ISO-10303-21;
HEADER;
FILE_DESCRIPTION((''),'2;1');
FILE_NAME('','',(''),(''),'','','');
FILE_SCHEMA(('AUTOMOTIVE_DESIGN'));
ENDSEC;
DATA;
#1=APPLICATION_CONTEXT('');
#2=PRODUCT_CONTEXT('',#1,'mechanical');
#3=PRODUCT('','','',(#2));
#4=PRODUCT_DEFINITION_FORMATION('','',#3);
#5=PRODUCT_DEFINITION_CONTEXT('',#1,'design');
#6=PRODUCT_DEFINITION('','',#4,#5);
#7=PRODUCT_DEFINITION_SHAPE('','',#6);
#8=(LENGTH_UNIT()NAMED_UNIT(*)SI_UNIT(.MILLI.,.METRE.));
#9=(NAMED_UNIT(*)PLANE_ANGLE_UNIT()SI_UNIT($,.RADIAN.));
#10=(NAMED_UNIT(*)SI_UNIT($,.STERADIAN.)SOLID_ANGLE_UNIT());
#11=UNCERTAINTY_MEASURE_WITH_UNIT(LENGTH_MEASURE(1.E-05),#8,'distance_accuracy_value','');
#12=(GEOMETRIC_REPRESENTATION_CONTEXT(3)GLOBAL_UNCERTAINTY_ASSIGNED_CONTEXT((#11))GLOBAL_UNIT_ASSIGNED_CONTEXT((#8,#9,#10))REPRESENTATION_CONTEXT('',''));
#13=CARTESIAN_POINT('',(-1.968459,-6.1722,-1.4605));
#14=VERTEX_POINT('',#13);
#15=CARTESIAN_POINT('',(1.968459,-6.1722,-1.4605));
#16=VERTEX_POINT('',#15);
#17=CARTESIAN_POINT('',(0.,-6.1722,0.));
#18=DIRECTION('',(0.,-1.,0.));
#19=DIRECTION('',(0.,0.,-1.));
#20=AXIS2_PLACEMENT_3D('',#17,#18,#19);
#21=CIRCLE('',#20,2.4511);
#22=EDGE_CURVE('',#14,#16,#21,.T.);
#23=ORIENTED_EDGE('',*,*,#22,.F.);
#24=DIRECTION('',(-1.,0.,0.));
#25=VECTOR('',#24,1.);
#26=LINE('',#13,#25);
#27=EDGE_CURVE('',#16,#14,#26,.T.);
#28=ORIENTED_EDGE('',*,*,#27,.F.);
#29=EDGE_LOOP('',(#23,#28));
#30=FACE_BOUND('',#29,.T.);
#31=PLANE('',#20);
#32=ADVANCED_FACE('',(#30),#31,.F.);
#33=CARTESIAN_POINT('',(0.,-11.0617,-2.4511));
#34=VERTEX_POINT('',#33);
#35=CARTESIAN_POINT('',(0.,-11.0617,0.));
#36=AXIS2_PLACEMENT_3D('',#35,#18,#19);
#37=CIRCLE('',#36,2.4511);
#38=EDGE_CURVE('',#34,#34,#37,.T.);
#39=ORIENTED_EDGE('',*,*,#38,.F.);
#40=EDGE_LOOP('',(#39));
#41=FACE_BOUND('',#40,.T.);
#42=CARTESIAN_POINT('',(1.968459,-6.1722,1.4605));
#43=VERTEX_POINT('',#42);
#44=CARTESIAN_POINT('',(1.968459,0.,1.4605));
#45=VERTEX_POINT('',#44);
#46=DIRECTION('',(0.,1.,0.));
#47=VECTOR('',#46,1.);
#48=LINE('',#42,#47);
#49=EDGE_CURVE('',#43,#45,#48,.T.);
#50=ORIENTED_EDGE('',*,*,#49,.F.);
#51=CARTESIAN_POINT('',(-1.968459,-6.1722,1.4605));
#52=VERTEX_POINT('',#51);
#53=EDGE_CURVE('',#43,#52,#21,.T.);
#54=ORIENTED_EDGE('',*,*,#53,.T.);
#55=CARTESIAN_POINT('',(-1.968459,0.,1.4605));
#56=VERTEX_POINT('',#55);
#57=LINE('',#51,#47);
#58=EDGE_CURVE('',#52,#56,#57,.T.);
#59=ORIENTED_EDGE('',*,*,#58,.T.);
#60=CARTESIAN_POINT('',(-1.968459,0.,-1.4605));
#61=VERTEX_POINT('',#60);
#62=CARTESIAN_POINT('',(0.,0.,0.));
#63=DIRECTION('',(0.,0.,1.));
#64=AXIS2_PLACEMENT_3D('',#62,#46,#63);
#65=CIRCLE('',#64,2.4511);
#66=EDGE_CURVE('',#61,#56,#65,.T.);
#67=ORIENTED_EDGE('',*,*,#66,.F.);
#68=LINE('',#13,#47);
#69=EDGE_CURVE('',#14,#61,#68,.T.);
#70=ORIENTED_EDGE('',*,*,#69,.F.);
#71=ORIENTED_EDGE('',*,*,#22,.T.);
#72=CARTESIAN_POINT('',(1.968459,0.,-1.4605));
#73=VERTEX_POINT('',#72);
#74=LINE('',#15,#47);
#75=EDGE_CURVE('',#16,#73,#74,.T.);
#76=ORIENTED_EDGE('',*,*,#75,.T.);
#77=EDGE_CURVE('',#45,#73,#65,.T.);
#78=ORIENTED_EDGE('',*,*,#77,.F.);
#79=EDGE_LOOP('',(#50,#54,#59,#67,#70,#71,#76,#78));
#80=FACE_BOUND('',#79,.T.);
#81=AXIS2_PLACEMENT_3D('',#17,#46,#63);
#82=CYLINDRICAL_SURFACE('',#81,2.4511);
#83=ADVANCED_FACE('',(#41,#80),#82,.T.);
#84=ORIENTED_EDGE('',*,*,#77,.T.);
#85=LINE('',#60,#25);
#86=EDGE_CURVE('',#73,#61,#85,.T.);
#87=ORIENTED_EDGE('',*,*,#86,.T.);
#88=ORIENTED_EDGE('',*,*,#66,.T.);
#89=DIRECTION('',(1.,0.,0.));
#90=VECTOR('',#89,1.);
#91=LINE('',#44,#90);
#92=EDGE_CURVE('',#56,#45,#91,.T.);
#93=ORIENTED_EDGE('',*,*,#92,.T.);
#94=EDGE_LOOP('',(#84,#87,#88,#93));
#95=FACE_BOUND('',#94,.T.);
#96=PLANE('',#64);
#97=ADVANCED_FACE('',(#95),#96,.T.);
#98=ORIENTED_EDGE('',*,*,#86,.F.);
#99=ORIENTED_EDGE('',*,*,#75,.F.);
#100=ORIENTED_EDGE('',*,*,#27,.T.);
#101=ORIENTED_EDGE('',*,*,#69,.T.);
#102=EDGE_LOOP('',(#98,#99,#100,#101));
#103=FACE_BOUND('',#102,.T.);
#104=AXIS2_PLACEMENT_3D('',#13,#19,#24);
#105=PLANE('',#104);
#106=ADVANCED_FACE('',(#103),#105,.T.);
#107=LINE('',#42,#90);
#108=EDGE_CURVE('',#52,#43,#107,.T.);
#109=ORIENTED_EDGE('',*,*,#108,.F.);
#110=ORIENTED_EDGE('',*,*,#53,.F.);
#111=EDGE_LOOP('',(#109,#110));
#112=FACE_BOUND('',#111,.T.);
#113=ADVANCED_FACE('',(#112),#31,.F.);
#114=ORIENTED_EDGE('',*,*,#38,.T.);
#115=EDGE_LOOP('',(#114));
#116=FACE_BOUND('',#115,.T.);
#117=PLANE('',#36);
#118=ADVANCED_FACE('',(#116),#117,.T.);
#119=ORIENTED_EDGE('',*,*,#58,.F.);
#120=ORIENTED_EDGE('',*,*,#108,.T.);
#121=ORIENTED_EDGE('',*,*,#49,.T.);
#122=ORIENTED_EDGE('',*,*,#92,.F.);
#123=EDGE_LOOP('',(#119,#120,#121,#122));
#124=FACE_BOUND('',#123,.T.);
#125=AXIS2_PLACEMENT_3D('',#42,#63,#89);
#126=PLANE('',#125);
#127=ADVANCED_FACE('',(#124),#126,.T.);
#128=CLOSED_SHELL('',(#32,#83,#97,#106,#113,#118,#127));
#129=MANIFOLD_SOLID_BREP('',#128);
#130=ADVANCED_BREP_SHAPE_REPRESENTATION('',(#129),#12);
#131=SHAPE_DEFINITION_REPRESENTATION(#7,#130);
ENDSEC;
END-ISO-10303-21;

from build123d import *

# Parameters (mm, degrees)
BOSS_EXTRUDE1_DEPTH = 6.1722
SKETCH3_R           = 2.4511
BOSS_EXTRUDE2_DEPTH = 4.8895


with BuildPart() as part:
    # Sketch2 → Boss-Extrude1 (new body)
    with BuildSketch(Plane(origin=(0, 0, 0), x_dir=(1, 0, 0), z_dir=(0, 1, 0))):
        with BuildLine():
            Line((-1.968459032, 1.4605), (1.968459032, 1.4605))
            ThreePointArc((1.968459032, 1.4605), (2.4511, 0), (1.968459032, -1.4605))
            Line((1.968459032, -1.4605), (-1.968459032, -1.4605))
            ThreePointArc((-1.968459032, -1.4605), (-2.4511, 0), (-1.968459032, 1.4605))
        make_face()
    extrude(amount=-BOSS_EXTRUDE1_DEPTH)

    # Sketch3 → Boss-Extrude2 (add)
    with BuildSketch(Plane.XZ.offset(6.1722)):
        Circle(SKETCH3_R)
    extrude(amount=BOSS_EXTRUDE2_DEPTH)


solid = part.part
